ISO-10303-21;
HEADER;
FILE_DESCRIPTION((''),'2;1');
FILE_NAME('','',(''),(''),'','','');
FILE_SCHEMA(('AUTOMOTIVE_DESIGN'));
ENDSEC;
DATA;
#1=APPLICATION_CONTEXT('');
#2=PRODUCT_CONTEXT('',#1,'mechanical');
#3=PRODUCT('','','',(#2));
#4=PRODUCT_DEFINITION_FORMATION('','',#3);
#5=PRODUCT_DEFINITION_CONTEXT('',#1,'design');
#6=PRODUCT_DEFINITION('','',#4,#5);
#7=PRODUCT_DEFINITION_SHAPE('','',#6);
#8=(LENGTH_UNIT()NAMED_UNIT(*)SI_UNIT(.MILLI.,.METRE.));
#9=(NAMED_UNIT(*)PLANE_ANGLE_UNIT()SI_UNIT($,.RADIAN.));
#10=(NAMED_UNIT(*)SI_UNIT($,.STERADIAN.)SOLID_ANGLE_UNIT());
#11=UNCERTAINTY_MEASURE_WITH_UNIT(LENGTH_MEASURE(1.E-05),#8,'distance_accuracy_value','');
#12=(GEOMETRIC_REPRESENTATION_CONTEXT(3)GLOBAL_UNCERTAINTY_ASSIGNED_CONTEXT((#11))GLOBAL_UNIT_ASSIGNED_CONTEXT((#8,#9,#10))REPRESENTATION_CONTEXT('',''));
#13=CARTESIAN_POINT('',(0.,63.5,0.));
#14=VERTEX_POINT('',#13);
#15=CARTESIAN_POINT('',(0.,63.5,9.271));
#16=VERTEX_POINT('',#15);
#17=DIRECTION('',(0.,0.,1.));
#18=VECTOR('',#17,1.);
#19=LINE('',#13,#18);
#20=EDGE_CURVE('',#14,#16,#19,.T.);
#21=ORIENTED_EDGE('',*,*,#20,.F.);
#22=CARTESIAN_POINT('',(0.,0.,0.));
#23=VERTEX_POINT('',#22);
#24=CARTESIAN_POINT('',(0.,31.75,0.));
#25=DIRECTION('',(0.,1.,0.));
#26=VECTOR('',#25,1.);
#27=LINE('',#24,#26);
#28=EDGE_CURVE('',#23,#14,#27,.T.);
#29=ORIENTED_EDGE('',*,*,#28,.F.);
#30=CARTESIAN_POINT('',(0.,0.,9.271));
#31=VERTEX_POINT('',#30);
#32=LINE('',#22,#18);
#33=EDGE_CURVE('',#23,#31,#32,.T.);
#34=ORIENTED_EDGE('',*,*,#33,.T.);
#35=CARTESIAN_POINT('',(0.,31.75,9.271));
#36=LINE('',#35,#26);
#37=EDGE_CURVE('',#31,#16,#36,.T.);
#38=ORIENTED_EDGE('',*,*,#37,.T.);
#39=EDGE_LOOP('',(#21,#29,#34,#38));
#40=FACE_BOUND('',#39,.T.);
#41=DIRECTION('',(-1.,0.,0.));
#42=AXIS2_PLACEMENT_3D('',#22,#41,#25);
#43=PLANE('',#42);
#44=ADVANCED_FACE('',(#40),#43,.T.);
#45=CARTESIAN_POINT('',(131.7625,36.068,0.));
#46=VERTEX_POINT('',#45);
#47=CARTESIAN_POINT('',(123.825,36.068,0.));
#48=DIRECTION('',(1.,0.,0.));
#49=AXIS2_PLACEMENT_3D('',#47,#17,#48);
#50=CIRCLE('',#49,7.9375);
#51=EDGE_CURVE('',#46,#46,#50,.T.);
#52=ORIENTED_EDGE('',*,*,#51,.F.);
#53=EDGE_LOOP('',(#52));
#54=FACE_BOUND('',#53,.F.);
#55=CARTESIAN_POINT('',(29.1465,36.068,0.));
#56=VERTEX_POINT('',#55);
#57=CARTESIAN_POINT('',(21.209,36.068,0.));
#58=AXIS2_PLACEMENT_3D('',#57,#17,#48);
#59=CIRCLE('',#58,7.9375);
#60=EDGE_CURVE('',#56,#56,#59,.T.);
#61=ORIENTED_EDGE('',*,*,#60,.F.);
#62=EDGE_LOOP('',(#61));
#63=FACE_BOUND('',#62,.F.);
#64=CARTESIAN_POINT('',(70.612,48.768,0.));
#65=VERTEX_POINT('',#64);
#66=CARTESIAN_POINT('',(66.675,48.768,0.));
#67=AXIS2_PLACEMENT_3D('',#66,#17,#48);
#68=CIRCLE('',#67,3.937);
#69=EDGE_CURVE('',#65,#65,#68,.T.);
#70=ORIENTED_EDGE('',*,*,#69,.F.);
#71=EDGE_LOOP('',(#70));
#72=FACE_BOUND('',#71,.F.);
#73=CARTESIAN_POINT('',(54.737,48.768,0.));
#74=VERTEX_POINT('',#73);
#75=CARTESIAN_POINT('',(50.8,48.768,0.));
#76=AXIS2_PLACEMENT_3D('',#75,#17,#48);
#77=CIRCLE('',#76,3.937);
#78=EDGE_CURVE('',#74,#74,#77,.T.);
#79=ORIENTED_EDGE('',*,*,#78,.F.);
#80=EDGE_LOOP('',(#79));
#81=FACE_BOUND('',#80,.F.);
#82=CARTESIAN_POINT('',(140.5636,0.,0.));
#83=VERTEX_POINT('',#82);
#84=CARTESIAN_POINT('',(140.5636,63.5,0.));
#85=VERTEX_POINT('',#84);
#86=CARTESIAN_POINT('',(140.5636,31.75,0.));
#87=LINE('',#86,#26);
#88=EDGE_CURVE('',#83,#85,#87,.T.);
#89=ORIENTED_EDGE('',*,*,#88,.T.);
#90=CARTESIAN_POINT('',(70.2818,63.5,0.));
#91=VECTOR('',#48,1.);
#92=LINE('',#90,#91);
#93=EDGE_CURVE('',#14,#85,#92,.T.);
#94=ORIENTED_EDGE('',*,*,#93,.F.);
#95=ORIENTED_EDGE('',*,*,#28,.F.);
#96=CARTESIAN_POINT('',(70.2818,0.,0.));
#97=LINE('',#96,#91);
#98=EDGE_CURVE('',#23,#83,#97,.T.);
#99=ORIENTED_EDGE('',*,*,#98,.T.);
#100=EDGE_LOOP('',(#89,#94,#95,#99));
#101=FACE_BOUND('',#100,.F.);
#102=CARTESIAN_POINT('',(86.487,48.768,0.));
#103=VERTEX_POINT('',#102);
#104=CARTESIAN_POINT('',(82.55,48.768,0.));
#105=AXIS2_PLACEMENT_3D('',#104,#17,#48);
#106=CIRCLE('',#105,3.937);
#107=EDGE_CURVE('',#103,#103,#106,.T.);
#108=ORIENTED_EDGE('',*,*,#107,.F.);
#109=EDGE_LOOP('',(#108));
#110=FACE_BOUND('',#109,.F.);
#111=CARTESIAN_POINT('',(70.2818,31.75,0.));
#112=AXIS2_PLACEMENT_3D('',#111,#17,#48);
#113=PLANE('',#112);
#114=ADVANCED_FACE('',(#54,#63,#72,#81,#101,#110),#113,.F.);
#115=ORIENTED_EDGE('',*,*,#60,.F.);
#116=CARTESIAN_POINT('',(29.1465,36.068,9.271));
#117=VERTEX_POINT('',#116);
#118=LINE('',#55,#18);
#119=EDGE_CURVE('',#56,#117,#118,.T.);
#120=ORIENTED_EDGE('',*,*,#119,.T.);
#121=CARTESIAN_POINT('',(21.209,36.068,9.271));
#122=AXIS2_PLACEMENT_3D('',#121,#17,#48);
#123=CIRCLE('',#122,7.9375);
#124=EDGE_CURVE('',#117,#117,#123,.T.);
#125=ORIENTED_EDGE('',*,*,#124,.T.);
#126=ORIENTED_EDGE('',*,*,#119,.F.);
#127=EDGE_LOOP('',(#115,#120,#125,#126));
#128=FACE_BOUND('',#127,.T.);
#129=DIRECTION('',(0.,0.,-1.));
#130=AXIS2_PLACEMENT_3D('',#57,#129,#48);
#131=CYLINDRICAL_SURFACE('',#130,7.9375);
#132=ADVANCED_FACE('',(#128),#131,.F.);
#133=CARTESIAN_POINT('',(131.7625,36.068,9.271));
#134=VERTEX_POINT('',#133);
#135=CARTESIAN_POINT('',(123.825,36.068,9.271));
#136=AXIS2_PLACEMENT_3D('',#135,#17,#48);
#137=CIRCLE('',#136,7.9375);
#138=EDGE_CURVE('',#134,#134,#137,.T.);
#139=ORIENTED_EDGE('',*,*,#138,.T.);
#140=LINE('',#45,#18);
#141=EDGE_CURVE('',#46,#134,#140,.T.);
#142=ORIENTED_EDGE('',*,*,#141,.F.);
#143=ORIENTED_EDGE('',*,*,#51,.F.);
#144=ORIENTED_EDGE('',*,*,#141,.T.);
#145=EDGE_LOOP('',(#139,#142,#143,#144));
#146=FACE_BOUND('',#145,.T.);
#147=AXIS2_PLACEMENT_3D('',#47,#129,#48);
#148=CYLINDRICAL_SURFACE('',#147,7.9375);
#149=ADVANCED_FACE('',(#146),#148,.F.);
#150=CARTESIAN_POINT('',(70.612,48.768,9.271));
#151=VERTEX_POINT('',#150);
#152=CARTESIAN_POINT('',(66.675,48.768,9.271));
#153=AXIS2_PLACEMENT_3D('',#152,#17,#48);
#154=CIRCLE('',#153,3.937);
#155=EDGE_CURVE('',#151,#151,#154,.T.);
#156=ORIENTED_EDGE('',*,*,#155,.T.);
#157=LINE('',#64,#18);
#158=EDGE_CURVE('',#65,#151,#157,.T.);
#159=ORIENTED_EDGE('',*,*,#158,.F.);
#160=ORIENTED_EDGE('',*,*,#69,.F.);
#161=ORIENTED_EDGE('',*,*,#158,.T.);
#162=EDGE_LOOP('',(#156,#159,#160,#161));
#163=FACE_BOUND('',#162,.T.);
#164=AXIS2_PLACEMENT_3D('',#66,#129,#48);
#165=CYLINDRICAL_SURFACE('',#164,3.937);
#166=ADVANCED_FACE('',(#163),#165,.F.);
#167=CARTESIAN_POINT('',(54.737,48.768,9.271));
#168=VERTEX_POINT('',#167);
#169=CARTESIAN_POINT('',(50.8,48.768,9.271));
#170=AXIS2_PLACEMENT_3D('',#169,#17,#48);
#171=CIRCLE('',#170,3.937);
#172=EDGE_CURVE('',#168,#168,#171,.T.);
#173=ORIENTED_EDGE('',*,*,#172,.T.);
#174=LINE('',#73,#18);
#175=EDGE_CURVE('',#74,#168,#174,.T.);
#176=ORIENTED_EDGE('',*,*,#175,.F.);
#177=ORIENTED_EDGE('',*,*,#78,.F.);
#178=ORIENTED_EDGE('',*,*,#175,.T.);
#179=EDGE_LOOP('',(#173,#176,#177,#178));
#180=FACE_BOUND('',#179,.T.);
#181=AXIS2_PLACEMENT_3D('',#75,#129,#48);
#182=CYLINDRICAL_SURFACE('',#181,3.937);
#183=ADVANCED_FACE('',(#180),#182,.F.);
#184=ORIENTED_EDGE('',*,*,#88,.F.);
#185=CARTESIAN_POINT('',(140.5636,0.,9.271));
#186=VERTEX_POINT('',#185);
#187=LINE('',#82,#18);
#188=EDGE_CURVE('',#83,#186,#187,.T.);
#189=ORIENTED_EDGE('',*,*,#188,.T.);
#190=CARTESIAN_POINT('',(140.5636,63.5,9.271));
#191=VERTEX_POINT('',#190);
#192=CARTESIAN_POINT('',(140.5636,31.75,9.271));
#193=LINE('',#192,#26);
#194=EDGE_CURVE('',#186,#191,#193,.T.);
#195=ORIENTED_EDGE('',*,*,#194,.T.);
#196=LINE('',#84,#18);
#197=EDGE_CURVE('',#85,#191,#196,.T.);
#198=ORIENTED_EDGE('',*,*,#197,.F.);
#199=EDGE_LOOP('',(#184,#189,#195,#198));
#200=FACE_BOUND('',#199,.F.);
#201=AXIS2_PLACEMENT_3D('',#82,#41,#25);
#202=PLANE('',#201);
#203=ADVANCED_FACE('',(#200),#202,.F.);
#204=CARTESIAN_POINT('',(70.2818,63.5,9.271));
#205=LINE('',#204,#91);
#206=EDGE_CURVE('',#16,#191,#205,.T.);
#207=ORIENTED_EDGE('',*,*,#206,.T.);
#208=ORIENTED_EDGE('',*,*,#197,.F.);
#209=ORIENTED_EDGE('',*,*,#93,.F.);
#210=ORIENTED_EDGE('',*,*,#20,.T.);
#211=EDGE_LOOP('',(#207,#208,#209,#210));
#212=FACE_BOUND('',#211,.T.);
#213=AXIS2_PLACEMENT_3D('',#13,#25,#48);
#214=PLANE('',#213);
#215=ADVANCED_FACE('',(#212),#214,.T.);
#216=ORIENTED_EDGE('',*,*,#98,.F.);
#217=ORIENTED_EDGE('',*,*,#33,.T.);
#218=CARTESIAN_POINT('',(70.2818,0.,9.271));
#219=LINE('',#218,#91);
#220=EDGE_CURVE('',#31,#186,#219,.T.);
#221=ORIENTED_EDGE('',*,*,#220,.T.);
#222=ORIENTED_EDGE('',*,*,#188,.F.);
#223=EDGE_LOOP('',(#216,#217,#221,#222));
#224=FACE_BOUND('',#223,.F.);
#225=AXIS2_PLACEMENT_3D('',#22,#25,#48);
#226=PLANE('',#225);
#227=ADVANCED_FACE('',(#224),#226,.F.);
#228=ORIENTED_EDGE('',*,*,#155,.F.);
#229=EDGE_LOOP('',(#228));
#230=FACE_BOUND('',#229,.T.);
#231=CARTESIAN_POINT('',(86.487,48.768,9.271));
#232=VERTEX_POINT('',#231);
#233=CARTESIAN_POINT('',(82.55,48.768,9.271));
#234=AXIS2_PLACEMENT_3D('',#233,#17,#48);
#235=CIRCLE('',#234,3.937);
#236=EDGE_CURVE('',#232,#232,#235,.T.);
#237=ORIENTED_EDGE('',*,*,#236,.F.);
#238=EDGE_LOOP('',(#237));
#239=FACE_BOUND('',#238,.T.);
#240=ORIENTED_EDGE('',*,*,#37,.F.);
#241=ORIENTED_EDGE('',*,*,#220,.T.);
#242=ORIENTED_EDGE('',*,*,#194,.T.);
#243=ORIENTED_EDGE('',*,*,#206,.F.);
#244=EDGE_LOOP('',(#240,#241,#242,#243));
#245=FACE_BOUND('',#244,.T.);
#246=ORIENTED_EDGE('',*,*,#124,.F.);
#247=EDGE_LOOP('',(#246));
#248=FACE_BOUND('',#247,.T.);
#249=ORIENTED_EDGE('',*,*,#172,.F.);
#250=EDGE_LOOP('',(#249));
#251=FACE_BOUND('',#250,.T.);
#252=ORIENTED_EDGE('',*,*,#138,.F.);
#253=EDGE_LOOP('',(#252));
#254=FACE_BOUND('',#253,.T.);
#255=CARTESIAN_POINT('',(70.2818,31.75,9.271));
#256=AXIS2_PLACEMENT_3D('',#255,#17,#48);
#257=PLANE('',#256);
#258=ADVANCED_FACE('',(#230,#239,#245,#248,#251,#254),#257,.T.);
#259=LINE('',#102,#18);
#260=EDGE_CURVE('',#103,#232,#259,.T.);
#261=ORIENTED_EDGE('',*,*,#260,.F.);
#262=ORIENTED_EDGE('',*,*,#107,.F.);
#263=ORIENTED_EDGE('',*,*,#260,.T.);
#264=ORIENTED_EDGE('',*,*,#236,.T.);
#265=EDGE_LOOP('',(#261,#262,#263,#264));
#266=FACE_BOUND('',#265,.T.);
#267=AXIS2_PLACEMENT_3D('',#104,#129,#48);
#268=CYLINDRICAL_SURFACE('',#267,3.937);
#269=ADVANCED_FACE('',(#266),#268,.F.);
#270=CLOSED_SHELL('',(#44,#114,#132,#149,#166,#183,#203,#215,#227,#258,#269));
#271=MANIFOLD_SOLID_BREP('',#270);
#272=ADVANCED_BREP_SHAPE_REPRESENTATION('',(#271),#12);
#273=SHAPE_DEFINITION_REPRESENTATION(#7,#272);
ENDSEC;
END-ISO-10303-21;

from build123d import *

# Parameters (mm, degrees)
F0_W     = 140.5636
F0_H     = 63.5
F0_R     = 7.9375
F0_R_2   = 3.937
F1_DEPTH = 9.271


with BuildPart() as f1:
    # F0 (on Top) → F1 (new body)
    with BuildSketch(Plane.XY):
        with Locations((70.2818, 31.75)):
            Rectangle(F0_W, F0_H)
        with Locations((21.209, 36.068)):
            Circle(F0_R, mode=Mode.SUBTRACT)
        with Locations((50.8, 48.768)):
            Circle(F0_R_2, mode=Mode.SUBTRACT)
        with Locations((66.675, 48.768)):
            Circle(F0_R_2, mode=Mode.SUBTRACT)
        with Locations((123.825, 36.068)):
            Circle(F0_R, mode=Mode.SUBTRACT)
        with Locations((82.55, 48.768)):
            Circle(F0_R_2, mode=Mode.SUBTRACT)
    extrude(amount=F1_DEPTH)


solid = f1.part
